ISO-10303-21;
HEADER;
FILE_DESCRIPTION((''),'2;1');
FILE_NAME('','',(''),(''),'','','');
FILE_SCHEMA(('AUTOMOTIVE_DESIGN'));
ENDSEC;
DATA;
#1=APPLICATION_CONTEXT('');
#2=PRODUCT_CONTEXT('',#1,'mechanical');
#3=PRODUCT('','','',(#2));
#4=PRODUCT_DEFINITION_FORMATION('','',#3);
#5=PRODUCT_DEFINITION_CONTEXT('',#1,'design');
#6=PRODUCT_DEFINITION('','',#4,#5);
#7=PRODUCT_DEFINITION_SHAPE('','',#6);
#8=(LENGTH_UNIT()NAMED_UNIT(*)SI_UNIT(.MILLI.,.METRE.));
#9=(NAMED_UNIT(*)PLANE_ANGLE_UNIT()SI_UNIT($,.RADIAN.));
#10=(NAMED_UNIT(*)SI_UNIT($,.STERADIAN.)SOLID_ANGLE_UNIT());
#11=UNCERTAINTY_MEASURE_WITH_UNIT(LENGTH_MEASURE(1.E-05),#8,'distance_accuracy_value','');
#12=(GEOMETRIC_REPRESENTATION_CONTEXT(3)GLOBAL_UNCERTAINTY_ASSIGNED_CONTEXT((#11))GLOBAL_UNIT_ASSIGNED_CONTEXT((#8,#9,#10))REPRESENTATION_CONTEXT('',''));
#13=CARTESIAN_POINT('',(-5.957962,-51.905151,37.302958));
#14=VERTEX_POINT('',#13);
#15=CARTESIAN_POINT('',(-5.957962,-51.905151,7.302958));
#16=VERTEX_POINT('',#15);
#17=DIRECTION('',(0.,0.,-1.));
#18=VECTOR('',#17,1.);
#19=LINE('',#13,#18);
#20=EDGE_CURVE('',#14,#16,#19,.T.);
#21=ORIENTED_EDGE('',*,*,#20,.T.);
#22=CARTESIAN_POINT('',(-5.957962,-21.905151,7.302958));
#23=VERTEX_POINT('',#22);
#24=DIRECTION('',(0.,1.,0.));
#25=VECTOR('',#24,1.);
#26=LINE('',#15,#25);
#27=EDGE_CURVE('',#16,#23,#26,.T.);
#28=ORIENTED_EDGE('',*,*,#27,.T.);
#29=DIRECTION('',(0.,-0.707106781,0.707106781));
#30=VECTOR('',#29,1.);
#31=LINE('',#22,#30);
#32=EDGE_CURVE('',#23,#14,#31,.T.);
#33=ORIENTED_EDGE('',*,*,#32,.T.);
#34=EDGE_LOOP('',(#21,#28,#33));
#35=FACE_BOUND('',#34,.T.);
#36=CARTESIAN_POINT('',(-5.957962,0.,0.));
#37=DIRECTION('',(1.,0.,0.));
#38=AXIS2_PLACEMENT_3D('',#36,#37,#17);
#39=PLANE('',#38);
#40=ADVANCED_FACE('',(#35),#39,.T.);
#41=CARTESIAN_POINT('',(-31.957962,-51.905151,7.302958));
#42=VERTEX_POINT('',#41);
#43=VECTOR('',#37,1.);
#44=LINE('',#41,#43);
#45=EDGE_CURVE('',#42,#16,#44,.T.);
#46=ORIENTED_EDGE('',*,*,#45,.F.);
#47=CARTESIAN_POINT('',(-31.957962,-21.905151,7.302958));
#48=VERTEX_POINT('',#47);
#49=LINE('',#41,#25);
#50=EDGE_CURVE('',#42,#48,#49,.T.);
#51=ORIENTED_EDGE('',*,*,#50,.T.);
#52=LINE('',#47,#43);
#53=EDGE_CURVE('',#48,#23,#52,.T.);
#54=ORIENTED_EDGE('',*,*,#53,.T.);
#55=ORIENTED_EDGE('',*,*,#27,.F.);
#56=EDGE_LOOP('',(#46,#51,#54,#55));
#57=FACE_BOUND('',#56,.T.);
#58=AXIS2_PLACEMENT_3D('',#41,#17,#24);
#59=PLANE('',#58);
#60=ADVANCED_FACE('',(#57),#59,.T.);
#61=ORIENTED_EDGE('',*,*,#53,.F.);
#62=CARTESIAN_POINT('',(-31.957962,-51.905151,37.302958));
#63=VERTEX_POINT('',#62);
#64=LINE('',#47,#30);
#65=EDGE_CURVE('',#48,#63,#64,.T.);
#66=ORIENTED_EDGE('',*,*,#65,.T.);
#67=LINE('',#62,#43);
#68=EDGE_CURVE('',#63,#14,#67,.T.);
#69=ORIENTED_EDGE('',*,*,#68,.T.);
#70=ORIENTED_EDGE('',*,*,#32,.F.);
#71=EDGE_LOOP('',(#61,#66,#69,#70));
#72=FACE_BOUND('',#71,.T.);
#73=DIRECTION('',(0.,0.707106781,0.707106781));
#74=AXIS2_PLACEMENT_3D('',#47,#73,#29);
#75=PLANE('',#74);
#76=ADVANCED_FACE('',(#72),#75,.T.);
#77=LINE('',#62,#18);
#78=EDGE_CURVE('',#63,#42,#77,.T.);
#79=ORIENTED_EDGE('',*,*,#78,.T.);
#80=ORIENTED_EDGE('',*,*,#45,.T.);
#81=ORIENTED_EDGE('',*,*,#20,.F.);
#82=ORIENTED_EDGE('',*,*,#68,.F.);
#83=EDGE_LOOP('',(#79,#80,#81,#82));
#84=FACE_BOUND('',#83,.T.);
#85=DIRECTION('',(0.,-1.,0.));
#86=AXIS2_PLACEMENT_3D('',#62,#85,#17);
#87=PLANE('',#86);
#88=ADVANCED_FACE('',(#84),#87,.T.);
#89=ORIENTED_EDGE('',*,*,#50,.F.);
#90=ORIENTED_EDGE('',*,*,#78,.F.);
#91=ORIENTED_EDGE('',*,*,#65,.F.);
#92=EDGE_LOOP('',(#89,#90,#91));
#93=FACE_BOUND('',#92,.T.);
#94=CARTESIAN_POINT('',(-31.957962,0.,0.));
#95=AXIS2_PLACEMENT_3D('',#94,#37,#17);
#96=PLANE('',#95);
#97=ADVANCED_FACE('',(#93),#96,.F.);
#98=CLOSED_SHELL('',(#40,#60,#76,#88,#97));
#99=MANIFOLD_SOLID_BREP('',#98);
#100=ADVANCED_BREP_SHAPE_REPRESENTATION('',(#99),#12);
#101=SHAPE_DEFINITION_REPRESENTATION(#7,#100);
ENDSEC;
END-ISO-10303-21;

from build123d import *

# Parameters (mm, degrees)
BOSS_EXTRUDE2_DEPTH = 26


with BuildPart() as part:
    # Sketch2 → Boss-Extrude2 (new body)
    with BuildSketch(Plane(origin=(-5.957962043, 0, 0), x_dir=(0, 0, -1), z_dir=(1, 0, 0))):
        Polygon((-7.302957559, -51.905150875), (-7.302957559, -21.905150875), (-37.302957559, -51.905150875), align=None)
    extrude(amount=-BOSS_EXTRUDE2_DEPTH)


solid = part.part
